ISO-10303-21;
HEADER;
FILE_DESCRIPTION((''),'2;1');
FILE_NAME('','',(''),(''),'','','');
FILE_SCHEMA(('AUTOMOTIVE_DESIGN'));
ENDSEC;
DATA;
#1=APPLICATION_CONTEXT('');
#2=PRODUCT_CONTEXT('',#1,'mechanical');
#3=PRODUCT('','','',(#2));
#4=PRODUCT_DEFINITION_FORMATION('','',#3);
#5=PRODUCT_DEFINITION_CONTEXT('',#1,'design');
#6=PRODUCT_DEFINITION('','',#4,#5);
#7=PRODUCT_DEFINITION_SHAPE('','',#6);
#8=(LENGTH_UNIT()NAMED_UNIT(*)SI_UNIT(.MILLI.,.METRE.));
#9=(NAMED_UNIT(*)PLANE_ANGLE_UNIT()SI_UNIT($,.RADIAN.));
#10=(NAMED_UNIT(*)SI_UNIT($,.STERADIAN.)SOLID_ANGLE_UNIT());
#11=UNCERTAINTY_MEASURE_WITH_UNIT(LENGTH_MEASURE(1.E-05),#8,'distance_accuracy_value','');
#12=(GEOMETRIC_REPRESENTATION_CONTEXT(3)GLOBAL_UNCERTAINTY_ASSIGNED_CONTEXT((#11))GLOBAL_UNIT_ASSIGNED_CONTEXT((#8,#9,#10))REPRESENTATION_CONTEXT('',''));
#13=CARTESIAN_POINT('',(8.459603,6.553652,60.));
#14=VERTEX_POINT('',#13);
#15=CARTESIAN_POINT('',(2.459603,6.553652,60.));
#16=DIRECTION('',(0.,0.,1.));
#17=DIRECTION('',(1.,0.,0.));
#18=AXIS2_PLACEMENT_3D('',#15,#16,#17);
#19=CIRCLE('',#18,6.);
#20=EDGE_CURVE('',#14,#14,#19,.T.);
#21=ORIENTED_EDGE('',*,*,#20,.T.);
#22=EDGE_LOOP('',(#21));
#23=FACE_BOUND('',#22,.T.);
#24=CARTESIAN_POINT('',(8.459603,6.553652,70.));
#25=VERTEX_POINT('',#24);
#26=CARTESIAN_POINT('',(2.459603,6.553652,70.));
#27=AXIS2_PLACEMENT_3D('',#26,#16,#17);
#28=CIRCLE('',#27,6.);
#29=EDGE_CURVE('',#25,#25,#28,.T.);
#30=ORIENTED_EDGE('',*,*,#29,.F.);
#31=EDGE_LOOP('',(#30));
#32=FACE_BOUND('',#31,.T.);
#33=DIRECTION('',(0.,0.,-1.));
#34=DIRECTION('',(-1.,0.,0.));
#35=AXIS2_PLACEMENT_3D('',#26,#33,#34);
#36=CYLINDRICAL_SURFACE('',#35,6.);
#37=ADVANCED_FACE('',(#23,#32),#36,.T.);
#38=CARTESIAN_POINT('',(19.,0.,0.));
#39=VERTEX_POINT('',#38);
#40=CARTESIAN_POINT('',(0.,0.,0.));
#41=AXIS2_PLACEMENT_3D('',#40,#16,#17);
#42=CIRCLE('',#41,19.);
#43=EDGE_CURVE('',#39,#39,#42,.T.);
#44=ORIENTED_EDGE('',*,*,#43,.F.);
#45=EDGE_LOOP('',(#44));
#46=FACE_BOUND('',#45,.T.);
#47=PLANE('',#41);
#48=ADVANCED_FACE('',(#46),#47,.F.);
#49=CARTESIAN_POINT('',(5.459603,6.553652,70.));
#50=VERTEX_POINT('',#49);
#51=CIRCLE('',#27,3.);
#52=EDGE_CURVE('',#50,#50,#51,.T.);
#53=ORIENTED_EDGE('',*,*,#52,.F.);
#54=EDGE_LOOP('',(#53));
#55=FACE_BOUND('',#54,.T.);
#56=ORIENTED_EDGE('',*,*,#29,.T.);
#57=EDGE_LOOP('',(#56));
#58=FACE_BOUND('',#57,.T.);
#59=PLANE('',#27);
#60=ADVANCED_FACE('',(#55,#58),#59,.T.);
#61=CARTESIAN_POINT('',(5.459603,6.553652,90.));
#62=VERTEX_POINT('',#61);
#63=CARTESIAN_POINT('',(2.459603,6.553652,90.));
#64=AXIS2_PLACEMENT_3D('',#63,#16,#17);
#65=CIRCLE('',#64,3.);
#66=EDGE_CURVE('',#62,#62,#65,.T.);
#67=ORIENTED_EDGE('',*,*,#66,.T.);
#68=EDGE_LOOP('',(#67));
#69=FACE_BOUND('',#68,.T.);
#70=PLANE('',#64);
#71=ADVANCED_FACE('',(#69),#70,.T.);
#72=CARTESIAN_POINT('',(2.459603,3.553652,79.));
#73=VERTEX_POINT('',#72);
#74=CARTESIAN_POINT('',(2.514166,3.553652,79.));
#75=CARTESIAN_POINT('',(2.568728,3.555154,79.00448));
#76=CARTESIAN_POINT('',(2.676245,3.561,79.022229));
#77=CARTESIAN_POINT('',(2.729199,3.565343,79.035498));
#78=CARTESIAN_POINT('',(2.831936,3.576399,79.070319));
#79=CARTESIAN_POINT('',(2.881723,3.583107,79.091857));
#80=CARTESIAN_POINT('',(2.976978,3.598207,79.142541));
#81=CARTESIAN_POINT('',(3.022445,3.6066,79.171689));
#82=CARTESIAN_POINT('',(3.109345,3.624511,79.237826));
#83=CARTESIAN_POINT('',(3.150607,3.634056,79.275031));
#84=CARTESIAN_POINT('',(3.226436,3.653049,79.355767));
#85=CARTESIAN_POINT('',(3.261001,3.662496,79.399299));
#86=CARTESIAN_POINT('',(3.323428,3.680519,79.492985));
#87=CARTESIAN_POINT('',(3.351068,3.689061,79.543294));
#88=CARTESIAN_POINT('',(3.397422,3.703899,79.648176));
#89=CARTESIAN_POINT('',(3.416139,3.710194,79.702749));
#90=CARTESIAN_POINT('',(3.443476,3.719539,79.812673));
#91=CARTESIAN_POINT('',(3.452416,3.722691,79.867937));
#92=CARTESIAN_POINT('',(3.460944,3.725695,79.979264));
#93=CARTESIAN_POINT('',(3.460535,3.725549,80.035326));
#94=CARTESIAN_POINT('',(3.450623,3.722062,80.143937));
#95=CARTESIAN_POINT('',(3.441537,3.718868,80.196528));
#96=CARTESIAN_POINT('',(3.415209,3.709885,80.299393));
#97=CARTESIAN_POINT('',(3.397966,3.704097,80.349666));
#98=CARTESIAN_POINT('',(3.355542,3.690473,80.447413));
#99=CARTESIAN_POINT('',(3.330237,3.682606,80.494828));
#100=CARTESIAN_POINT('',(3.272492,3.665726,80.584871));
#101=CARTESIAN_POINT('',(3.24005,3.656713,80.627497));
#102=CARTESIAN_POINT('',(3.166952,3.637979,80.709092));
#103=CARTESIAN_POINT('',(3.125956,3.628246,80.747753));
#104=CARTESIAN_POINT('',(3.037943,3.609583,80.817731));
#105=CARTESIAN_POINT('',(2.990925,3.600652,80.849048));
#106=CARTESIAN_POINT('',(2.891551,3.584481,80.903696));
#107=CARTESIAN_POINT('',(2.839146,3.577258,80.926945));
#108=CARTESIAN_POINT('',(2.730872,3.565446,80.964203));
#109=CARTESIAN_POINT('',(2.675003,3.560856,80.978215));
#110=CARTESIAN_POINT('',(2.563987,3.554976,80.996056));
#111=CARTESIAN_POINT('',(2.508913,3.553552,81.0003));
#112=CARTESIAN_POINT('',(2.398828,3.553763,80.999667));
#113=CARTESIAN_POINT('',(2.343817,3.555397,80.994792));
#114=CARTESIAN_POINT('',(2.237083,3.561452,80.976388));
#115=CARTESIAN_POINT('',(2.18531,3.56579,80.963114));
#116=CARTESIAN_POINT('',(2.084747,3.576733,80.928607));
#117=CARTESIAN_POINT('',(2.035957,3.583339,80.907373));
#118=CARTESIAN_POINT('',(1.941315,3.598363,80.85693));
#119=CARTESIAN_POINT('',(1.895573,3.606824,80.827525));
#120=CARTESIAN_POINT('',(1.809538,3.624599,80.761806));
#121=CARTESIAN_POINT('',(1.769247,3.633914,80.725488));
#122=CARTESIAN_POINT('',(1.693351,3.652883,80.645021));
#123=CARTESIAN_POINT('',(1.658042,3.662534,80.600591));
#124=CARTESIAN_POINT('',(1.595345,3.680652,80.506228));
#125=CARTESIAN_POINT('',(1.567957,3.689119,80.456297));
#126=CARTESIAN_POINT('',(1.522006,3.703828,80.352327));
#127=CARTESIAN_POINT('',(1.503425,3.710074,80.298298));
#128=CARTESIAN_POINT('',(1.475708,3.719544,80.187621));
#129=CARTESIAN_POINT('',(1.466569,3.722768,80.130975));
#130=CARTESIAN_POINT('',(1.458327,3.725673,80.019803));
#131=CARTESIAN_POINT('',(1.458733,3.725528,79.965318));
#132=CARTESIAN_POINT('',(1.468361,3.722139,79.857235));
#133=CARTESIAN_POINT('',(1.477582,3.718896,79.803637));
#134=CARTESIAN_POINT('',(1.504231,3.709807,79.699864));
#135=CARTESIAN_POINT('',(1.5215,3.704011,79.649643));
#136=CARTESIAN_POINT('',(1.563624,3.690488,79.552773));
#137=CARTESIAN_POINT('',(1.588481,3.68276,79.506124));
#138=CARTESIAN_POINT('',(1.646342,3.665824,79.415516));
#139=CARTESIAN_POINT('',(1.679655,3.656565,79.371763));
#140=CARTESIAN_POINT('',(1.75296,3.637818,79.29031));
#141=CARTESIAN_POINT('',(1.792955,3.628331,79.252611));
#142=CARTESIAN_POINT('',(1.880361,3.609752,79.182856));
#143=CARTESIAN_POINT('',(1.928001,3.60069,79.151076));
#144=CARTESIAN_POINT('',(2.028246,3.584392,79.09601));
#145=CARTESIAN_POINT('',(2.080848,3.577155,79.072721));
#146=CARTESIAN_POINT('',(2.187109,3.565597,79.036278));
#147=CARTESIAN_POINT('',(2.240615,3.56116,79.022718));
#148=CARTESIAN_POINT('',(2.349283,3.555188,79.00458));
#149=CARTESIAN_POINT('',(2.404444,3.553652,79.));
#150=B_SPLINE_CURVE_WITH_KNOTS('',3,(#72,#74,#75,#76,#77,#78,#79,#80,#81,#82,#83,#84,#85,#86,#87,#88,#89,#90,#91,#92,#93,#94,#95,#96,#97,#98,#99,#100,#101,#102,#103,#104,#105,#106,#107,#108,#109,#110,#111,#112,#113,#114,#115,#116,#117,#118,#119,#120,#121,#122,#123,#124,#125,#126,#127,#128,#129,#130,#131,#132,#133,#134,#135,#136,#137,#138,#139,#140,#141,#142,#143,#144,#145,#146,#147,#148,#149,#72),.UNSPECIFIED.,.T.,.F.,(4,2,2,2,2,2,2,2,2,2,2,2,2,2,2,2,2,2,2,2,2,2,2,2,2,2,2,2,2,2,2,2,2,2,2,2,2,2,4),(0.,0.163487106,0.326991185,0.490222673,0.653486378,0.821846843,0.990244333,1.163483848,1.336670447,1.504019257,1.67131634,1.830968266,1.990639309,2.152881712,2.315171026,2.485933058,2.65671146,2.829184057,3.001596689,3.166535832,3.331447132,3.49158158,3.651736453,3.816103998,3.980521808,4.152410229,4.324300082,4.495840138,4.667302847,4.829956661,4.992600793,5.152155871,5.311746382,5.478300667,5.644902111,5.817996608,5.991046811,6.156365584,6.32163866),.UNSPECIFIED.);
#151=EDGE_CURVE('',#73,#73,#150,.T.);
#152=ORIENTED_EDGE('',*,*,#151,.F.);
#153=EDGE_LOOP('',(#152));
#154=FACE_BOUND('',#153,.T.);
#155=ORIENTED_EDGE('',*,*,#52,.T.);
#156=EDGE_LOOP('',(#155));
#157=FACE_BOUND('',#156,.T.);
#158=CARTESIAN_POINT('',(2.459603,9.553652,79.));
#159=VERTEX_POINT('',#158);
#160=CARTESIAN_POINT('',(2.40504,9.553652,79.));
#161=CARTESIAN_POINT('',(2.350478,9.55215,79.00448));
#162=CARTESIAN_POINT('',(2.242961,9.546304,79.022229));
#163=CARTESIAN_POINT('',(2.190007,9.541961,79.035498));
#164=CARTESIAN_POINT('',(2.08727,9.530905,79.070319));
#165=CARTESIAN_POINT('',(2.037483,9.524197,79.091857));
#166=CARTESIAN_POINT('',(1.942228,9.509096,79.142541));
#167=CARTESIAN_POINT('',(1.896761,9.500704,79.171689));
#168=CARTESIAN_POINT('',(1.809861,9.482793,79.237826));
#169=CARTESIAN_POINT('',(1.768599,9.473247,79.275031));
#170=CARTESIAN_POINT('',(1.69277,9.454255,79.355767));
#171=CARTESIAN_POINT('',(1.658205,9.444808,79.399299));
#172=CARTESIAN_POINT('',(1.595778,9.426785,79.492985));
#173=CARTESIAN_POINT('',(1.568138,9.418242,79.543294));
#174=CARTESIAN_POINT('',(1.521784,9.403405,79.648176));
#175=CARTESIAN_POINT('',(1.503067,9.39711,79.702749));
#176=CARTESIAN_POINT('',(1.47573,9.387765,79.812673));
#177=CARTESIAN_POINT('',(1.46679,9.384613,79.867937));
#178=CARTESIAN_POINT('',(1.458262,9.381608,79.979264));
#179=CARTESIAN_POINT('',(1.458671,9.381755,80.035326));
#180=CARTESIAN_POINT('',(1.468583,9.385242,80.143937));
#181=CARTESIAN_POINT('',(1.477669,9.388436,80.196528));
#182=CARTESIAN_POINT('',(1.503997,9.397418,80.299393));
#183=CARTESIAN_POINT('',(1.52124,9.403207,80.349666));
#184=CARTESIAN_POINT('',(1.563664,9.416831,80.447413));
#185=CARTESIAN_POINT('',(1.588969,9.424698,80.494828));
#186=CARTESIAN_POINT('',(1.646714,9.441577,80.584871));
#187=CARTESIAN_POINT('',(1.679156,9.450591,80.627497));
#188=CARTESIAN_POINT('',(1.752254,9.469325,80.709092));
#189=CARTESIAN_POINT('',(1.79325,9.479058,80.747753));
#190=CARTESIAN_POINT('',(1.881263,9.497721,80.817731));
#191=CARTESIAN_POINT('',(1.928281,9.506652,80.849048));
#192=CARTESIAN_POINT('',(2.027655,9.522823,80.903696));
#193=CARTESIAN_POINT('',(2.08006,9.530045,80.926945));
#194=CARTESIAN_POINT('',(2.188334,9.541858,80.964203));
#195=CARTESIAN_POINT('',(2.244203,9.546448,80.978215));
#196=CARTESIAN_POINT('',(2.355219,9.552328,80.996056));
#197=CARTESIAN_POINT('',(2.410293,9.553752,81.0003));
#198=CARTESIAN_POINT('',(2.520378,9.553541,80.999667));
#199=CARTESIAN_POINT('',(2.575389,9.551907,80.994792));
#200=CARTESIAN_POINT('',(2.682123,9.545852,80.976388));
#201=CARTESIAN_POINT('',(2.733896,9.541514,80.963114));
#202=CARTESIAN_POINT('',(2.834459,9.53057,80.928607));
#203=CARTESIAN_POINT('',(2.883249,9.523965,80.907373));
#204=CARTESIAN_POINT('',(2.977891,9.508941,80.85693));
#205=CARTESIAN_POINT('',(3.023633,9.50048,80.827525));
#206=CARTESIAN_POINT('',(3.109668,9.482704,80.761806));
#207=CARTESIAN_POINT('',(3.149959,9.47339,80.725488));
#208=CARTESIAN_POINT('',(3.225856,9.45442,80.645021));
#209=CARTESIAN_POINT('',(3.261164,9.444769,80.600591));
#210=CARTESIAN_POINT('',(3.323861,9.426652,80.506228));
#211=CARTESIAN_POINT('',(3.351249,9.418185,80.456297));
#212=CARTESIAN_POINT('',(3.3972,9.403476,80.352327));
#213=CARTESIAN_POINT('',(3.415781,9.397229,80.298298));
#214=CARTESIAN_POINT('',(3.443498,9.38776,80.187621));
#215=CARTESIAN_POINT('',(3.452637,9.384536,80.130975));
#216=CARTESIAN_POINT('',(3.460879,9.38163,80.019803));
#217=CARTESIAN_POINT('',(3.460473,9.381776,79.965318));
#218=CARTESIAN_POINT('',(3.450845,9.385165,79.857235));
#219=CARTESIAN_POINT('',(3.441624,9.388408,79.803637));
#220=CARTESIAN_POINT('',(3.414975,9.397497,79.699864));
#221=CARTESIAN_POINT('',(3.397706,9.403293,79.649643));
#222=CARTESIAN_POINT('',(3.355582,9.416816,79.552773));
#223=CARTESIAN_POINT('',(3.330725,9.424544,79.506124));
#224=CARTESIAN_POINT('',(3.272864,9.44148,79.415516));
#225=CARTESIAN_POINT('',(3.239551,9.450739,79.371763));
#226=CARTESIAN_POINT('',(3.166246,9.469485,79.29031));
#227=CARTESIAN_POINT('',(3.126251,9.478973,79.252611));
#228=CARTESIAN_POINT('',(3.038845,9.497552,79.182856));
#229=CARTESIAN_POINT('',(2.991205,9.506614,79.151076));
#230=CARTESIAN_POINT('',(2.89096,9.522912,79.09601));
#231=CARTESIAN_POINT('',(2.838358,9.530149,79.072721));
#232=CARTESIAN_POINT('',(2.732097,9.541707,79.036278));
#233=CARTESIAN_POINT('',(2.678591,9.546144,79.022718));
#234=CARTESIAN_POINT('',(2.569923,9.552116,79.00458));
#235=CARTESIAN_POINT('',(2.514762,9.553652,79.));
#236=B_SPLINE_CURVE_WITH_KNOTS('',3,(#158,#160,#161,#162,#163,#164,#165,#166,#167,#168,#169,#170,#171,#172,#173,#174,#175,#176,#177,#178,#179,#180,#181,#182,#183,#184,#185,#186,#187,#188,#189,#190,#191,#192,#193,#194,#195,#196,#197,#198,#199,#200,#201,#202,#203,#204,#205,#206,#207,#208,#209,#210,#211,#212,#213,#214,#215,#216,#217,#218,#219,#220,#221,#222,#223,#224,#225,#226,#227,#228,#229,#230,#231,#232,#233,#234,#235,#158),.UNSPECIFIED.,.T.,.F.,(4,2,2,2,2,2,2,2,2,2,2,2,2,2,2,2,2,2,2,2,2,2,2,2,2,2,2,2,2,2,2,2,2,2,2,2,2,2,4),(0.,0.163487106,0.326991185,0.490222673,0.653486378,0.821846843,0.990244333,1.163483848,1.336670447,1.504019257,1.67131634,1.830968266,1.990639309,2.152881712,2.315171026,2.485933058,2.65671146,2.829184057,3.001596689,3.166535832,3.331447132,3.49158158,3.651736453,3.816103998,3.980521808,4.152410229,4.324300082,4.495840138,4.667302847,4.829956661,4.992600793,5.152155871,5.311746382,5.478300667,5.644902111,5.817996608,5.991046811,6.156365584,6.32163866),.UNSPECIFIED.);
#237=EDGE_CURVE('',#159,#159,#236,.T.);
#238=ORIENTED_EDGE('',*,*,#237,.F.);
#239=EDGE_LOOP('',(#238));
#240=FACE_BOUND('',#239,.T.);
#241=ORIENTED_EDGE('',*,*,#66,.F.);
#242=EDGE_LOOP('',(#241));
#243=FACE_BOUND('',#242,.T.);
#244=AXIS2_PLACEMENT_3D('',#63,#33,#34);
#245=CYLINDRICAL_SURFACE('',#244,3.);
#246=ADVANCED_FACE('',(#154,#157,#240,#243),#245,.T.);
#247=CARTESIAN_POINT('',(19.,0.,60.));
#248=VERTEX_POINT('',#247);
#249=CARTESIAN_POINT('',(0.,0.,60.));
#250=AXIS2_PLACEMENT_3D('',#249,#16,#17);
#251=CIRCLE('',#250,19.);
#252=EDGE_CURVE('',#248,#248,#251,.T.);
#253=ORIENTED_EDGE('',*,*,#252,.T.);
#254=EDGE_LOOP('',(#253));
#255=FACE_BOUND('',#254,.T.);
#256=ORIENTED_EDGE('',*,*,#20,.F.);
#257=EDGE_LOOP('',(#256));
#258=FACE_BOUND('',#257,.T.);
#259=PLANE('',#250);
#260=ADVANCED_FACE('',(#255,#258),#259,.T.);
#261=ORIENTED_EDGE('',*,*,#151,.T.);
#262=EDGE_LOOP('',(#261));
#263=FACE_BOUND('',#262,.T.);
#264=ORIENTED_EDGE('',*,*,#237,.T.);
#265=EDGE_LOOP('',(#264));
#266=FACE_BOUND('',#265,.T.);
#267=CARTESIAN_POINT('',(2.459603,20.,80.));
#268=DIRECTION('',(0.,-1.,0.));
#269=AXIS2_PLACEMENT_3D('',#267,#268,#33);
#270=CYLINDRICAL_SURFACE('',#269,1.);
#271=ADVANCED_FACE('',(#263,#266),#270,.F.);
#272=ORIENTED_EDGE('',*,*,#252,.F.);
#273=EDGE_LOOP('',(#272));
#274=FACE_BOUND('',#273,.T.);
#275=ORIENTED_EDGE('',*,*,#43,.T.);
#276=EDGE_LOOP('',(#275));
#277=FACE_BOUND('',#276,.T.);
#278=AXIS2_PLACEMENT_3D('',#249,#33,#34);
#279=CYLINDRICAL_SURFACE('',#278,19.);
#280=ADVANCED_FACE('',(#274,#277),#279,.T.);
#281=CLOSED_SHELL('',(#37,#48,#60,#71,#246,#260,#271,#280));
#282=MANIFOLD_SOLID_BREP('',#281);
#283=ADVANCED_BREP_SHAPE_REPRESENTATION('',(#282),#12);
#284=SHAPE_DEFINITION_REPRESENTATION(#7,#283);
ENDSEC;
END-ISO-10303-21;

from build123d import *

# Parameters (mm, degrees)
SKETCH1_R             = 19
MOTOR_MACHINERY_DEPTH = 60
SKETCH2_R             = 6
BOSS_EXTRUDE2_DEPTH   = 10
SKETCH5_R             = 3
MOTOR_SHAFT_DEPTH     = 20
SKETCH7_R             = 1
HUB_HOLES_DEPTH       = 20


with BuildPart() as part:
    # Sketch1 → motor machinery (new body)
    with BuildSketch(Plane.XY):
        Circle(SKETCH1_R)
    extrude(amount=MOTOR_MACHINERY_DEPTH)

    # Sketch2 → Boss-Extrude2 (add)
    with BuildSketch(Plane.XY.offset(60)):
        with Locations((2.459603008, 6.553651886)):
            Circle(SKETCH2_R)
    extrude(amount=BOSS_EXTRUDE2_DEPTH)

    # Sketch5 → motor shaft (add)
    with BuildSketch(Plane.XY.offset(70)):
        with Locations((2.459603008, 6.553651886)):
            Circle(SKETCH5_R)
    extrude(amount=MOTOR_SHAFT_DEPTH)

    # Sketch7 → hub holes (cut)
    with BuildSketch(Plane(origin=(0, 0, 0), x_dir=(1, 0, 0), z_dir=(0, 1, 0))):
        with Locations(Location((2.459603008, -80, 0), (0, 0, 90))):
            Circle(SKETCH7_R)
    extrude(amount=HUB_HOLES_DEPTH, mode=Mode.SUBTRACT)


solid = part.part
